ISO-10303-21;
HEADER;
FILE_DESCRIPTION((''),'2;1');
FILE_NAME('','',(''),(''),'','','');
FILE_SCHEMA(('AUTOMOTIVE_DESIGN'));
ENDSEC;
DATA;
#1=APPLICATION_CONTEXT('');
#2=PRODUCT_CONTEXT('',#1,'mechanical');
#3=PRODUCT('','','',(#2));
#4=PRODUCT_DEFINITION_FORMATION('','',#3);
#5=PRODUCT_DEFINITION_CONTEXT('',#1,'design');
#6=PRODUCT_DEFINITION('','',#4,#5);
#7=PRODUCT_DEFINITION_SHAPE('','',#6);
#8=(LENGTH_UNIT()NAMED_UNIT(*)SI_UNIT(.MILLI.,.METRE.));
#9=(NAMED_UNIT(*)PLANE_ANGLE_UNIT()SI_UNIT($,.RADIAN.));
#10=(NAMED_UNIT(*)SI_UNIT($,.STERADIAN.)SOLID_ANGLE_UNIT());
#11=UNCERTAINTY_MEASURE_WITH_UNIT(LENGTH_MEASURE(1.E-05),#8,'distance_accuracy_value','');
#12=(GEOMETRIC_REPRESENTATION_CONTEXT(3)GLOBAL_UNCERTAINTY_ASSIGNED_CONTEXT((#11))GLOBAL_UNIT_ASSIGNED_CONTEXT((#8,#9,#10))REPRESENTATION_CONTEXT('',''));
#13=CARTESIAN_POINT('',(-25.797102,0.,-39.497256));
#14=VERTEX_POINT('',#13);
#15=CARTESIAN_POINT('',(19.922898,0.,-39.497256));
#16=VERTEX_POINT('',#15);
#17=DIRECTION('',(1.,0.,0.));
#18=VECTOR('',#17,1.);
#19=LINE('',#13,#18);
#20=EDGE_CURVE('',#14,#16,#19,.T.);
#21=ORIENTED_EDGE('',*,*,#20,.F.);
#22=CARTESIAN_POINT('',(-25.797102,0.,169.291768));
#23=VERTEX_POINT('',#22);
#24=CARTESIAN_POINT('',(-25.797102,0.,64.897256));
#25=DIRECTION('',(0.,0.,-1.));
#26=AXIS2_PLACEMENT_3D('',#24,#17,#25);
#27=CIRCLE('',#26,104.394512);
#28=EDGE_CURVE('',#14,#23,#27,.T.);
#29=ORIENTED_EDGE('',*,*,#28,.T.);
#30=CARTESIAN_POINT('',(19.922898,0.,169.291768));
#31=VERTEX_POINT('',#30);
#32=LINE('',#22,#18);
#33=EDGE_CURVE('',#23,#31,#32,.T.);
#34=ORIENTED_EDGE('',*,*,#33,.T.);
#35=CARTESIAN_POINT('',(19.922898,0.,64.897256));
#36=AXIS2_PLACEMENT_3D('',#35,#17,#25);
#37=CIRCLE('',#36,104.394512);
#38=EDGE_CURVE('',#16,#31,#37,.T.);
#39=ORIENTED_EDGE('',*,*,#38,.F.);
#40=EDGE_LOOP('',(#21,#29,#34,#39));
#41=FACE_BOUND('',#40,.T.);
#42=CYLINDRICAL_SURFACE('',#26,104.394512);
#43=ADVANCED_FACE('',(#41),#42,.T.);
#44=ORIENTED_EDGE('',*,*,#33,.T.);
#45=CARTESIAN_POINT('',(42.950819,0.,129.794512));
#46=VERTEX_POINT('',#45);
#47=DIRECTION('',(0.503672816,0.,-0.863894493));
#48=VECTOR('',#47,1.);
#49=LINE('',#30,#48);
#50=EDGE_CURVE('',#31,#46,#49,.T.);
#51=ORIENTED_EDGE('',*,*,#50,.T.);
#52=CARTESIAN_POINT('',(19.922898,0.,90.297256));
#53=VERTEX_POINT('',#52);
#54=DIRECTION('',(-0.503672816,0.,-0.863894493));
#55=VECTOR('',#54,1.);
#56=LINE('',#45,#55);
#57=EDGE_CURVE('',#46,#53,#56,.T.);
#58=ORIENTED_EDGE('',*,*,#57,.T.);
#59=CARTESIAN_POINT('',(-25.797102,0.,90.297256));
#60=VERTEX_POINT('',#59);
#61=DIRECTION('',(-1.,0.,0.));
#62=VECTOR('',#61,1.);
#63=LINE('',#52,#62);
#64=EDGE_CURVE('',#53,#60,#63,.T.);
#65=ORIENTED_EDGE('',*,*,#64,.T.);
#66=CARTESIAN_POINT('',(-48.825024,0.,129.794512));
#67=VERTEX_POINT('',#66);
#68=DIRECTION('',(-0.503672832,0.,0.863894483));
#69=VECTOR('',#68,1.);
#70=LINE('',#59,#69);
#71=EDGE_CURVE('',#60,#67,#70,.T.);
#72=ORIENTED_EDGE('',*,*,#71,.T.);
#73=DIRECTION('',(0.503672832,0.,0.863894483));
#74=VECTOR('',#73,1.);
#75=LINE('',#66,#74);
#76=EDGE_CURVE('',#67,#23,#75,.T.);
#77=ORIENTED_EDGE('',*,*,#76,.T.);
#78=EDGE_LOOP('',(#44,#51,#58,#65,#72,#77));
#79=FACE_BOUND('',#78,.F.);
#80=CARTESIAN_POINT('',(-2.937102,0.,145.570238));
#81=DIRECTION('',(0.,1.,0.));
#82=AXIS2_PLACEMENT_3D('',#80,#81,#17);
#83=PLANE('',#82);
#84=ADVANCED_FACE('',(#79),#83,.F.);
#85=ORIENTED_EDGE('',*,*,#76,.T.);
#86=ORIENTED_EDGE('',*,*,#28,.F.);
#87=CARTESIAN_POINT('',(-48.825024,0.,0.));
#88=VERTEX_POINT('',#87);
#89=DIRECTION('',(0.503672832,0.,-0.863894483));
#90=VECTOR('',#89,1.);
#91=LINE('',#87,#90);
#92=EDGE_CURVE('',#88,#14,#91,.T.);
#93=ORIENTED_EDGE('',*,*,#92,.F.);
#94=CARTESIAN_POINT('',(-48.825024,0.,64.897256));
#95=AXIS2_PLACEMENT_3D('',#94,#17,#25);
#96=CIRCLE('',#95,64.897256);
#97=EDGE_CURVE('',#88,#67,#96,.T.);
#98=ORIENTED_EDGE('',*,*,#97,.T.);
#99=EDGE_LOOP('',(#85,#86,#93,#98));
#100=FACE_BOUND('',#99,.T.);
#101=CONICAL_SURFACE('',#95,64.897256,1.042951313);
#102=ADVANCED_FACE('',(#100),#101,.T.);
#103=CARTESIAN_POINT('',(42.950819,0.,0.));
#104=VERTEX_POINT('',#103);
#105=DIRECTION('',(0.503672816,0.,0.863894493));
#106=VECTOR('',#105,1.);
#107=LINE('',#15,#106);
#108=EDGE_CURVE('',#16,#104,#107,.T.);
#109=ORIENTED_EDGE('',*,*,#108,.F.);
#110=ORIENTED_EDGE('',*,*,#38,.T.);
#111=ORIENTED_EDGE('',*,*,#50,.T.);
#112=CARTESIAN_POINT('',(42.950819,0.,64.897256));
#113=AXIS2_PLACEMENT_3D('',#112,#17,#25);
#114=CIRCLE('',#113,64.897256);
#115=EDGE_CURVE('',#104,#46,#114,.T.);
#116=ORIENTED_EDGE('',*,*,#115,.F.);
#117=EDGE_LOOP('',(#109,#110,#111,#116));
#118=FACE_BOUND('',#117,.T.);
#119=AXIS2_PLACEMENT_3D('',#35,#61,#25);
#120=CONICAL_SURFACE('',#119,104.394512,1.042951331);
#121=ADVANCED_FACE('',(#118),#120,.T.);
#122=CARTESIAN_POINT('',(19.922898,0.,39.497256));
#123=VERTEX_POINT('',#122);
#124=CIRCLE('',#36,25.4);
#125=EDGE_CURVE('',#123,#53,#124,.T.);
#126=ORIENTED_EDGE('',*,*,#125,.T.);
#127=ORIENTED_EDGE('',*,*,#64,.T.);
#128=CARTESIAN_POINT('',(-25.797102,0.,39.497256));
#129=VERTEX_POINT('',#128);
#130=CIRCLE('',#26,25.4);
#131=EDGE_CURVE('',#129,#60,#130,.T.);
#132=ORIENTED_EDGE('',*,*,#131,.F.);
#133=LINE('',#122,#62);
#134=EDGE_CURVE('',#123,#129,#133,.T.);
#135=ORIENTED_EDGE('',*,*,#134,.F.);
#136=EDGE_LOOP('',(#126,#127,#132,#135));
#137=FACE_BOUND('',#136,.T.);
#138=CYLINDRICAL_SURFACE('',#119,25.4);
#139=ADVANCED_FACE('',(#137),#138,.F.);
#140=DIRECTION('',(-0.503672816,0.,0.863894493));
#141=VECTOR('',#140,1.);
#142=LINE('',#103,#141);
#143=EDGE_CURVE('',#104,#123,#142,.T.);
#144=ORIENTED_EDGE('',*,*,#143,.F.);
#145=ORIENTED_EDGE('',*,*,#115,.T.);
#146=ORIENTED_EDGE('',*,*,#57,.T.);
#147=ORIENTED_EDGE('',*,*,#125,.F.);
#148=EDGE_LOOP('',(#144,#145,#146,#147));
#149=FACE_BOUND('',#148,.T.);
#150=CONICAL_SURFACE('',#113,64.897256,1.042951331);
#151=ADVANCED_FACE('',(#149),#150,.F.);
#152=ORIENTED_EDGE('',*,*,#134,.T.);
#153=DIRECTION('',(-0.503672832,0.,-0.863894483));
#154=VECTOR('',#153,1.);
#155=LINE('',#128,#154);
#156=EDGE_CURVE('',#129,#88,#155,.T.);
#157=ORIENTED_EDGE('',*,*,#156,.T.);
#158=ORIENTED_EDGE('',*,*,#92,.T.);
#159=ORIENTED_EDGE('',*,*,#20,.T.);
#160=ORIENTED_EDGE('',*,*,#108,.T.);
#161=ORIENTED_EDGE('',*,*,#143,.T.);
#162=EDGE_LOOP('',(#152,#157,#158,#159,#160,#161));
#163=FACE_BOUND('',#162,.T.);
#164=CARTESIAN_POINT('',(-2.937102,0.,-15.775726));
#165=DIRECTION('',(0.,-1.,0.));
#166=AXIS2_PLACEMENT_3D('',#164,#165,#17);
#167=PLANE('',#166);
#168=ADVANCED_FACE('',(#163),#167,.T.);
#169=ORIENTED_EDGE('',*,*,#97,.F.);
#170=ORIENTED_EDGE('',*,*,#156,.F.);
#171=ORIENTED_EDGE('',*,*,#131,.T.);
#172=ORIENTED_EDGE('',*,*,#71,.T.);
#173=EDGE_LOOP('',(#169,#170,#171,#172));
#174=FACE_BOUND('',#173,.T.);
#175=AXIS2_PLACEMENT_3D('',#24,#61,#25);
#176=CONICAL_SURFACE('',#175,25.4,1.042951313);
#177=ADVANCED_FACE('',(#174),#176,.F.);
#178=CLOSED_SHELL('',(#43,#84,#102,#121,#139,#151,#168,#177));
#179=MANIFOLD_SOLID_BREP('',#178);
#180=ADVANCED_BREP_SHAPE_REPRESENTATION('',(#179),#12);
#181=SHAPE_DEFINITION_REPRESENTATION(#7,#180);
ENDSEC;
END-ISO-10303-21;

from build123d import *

# Parameters (mm, degrees)
F2_ANGLE = 180


with BuildPart() as f2:
    # F0 (on Front) → F2 (revolve)
    with BuildSketch(Plane.XZ):
        Polygon((42.950819, 0), (-48.825024, 0), (-25.797102, -39.497256), (19.922898, -39.497256), align=None)
        Polygon((-25.797102, 39.497256), (-48.825024, 0), (42.950819, 0), (19.922898, 39.497256), align=None)
    revolve(axis=Axis((-2.501527, 0, 64.897256), (1, 0, 0)), revolution_arc=F2_ANGLE)


solid = f2.part
